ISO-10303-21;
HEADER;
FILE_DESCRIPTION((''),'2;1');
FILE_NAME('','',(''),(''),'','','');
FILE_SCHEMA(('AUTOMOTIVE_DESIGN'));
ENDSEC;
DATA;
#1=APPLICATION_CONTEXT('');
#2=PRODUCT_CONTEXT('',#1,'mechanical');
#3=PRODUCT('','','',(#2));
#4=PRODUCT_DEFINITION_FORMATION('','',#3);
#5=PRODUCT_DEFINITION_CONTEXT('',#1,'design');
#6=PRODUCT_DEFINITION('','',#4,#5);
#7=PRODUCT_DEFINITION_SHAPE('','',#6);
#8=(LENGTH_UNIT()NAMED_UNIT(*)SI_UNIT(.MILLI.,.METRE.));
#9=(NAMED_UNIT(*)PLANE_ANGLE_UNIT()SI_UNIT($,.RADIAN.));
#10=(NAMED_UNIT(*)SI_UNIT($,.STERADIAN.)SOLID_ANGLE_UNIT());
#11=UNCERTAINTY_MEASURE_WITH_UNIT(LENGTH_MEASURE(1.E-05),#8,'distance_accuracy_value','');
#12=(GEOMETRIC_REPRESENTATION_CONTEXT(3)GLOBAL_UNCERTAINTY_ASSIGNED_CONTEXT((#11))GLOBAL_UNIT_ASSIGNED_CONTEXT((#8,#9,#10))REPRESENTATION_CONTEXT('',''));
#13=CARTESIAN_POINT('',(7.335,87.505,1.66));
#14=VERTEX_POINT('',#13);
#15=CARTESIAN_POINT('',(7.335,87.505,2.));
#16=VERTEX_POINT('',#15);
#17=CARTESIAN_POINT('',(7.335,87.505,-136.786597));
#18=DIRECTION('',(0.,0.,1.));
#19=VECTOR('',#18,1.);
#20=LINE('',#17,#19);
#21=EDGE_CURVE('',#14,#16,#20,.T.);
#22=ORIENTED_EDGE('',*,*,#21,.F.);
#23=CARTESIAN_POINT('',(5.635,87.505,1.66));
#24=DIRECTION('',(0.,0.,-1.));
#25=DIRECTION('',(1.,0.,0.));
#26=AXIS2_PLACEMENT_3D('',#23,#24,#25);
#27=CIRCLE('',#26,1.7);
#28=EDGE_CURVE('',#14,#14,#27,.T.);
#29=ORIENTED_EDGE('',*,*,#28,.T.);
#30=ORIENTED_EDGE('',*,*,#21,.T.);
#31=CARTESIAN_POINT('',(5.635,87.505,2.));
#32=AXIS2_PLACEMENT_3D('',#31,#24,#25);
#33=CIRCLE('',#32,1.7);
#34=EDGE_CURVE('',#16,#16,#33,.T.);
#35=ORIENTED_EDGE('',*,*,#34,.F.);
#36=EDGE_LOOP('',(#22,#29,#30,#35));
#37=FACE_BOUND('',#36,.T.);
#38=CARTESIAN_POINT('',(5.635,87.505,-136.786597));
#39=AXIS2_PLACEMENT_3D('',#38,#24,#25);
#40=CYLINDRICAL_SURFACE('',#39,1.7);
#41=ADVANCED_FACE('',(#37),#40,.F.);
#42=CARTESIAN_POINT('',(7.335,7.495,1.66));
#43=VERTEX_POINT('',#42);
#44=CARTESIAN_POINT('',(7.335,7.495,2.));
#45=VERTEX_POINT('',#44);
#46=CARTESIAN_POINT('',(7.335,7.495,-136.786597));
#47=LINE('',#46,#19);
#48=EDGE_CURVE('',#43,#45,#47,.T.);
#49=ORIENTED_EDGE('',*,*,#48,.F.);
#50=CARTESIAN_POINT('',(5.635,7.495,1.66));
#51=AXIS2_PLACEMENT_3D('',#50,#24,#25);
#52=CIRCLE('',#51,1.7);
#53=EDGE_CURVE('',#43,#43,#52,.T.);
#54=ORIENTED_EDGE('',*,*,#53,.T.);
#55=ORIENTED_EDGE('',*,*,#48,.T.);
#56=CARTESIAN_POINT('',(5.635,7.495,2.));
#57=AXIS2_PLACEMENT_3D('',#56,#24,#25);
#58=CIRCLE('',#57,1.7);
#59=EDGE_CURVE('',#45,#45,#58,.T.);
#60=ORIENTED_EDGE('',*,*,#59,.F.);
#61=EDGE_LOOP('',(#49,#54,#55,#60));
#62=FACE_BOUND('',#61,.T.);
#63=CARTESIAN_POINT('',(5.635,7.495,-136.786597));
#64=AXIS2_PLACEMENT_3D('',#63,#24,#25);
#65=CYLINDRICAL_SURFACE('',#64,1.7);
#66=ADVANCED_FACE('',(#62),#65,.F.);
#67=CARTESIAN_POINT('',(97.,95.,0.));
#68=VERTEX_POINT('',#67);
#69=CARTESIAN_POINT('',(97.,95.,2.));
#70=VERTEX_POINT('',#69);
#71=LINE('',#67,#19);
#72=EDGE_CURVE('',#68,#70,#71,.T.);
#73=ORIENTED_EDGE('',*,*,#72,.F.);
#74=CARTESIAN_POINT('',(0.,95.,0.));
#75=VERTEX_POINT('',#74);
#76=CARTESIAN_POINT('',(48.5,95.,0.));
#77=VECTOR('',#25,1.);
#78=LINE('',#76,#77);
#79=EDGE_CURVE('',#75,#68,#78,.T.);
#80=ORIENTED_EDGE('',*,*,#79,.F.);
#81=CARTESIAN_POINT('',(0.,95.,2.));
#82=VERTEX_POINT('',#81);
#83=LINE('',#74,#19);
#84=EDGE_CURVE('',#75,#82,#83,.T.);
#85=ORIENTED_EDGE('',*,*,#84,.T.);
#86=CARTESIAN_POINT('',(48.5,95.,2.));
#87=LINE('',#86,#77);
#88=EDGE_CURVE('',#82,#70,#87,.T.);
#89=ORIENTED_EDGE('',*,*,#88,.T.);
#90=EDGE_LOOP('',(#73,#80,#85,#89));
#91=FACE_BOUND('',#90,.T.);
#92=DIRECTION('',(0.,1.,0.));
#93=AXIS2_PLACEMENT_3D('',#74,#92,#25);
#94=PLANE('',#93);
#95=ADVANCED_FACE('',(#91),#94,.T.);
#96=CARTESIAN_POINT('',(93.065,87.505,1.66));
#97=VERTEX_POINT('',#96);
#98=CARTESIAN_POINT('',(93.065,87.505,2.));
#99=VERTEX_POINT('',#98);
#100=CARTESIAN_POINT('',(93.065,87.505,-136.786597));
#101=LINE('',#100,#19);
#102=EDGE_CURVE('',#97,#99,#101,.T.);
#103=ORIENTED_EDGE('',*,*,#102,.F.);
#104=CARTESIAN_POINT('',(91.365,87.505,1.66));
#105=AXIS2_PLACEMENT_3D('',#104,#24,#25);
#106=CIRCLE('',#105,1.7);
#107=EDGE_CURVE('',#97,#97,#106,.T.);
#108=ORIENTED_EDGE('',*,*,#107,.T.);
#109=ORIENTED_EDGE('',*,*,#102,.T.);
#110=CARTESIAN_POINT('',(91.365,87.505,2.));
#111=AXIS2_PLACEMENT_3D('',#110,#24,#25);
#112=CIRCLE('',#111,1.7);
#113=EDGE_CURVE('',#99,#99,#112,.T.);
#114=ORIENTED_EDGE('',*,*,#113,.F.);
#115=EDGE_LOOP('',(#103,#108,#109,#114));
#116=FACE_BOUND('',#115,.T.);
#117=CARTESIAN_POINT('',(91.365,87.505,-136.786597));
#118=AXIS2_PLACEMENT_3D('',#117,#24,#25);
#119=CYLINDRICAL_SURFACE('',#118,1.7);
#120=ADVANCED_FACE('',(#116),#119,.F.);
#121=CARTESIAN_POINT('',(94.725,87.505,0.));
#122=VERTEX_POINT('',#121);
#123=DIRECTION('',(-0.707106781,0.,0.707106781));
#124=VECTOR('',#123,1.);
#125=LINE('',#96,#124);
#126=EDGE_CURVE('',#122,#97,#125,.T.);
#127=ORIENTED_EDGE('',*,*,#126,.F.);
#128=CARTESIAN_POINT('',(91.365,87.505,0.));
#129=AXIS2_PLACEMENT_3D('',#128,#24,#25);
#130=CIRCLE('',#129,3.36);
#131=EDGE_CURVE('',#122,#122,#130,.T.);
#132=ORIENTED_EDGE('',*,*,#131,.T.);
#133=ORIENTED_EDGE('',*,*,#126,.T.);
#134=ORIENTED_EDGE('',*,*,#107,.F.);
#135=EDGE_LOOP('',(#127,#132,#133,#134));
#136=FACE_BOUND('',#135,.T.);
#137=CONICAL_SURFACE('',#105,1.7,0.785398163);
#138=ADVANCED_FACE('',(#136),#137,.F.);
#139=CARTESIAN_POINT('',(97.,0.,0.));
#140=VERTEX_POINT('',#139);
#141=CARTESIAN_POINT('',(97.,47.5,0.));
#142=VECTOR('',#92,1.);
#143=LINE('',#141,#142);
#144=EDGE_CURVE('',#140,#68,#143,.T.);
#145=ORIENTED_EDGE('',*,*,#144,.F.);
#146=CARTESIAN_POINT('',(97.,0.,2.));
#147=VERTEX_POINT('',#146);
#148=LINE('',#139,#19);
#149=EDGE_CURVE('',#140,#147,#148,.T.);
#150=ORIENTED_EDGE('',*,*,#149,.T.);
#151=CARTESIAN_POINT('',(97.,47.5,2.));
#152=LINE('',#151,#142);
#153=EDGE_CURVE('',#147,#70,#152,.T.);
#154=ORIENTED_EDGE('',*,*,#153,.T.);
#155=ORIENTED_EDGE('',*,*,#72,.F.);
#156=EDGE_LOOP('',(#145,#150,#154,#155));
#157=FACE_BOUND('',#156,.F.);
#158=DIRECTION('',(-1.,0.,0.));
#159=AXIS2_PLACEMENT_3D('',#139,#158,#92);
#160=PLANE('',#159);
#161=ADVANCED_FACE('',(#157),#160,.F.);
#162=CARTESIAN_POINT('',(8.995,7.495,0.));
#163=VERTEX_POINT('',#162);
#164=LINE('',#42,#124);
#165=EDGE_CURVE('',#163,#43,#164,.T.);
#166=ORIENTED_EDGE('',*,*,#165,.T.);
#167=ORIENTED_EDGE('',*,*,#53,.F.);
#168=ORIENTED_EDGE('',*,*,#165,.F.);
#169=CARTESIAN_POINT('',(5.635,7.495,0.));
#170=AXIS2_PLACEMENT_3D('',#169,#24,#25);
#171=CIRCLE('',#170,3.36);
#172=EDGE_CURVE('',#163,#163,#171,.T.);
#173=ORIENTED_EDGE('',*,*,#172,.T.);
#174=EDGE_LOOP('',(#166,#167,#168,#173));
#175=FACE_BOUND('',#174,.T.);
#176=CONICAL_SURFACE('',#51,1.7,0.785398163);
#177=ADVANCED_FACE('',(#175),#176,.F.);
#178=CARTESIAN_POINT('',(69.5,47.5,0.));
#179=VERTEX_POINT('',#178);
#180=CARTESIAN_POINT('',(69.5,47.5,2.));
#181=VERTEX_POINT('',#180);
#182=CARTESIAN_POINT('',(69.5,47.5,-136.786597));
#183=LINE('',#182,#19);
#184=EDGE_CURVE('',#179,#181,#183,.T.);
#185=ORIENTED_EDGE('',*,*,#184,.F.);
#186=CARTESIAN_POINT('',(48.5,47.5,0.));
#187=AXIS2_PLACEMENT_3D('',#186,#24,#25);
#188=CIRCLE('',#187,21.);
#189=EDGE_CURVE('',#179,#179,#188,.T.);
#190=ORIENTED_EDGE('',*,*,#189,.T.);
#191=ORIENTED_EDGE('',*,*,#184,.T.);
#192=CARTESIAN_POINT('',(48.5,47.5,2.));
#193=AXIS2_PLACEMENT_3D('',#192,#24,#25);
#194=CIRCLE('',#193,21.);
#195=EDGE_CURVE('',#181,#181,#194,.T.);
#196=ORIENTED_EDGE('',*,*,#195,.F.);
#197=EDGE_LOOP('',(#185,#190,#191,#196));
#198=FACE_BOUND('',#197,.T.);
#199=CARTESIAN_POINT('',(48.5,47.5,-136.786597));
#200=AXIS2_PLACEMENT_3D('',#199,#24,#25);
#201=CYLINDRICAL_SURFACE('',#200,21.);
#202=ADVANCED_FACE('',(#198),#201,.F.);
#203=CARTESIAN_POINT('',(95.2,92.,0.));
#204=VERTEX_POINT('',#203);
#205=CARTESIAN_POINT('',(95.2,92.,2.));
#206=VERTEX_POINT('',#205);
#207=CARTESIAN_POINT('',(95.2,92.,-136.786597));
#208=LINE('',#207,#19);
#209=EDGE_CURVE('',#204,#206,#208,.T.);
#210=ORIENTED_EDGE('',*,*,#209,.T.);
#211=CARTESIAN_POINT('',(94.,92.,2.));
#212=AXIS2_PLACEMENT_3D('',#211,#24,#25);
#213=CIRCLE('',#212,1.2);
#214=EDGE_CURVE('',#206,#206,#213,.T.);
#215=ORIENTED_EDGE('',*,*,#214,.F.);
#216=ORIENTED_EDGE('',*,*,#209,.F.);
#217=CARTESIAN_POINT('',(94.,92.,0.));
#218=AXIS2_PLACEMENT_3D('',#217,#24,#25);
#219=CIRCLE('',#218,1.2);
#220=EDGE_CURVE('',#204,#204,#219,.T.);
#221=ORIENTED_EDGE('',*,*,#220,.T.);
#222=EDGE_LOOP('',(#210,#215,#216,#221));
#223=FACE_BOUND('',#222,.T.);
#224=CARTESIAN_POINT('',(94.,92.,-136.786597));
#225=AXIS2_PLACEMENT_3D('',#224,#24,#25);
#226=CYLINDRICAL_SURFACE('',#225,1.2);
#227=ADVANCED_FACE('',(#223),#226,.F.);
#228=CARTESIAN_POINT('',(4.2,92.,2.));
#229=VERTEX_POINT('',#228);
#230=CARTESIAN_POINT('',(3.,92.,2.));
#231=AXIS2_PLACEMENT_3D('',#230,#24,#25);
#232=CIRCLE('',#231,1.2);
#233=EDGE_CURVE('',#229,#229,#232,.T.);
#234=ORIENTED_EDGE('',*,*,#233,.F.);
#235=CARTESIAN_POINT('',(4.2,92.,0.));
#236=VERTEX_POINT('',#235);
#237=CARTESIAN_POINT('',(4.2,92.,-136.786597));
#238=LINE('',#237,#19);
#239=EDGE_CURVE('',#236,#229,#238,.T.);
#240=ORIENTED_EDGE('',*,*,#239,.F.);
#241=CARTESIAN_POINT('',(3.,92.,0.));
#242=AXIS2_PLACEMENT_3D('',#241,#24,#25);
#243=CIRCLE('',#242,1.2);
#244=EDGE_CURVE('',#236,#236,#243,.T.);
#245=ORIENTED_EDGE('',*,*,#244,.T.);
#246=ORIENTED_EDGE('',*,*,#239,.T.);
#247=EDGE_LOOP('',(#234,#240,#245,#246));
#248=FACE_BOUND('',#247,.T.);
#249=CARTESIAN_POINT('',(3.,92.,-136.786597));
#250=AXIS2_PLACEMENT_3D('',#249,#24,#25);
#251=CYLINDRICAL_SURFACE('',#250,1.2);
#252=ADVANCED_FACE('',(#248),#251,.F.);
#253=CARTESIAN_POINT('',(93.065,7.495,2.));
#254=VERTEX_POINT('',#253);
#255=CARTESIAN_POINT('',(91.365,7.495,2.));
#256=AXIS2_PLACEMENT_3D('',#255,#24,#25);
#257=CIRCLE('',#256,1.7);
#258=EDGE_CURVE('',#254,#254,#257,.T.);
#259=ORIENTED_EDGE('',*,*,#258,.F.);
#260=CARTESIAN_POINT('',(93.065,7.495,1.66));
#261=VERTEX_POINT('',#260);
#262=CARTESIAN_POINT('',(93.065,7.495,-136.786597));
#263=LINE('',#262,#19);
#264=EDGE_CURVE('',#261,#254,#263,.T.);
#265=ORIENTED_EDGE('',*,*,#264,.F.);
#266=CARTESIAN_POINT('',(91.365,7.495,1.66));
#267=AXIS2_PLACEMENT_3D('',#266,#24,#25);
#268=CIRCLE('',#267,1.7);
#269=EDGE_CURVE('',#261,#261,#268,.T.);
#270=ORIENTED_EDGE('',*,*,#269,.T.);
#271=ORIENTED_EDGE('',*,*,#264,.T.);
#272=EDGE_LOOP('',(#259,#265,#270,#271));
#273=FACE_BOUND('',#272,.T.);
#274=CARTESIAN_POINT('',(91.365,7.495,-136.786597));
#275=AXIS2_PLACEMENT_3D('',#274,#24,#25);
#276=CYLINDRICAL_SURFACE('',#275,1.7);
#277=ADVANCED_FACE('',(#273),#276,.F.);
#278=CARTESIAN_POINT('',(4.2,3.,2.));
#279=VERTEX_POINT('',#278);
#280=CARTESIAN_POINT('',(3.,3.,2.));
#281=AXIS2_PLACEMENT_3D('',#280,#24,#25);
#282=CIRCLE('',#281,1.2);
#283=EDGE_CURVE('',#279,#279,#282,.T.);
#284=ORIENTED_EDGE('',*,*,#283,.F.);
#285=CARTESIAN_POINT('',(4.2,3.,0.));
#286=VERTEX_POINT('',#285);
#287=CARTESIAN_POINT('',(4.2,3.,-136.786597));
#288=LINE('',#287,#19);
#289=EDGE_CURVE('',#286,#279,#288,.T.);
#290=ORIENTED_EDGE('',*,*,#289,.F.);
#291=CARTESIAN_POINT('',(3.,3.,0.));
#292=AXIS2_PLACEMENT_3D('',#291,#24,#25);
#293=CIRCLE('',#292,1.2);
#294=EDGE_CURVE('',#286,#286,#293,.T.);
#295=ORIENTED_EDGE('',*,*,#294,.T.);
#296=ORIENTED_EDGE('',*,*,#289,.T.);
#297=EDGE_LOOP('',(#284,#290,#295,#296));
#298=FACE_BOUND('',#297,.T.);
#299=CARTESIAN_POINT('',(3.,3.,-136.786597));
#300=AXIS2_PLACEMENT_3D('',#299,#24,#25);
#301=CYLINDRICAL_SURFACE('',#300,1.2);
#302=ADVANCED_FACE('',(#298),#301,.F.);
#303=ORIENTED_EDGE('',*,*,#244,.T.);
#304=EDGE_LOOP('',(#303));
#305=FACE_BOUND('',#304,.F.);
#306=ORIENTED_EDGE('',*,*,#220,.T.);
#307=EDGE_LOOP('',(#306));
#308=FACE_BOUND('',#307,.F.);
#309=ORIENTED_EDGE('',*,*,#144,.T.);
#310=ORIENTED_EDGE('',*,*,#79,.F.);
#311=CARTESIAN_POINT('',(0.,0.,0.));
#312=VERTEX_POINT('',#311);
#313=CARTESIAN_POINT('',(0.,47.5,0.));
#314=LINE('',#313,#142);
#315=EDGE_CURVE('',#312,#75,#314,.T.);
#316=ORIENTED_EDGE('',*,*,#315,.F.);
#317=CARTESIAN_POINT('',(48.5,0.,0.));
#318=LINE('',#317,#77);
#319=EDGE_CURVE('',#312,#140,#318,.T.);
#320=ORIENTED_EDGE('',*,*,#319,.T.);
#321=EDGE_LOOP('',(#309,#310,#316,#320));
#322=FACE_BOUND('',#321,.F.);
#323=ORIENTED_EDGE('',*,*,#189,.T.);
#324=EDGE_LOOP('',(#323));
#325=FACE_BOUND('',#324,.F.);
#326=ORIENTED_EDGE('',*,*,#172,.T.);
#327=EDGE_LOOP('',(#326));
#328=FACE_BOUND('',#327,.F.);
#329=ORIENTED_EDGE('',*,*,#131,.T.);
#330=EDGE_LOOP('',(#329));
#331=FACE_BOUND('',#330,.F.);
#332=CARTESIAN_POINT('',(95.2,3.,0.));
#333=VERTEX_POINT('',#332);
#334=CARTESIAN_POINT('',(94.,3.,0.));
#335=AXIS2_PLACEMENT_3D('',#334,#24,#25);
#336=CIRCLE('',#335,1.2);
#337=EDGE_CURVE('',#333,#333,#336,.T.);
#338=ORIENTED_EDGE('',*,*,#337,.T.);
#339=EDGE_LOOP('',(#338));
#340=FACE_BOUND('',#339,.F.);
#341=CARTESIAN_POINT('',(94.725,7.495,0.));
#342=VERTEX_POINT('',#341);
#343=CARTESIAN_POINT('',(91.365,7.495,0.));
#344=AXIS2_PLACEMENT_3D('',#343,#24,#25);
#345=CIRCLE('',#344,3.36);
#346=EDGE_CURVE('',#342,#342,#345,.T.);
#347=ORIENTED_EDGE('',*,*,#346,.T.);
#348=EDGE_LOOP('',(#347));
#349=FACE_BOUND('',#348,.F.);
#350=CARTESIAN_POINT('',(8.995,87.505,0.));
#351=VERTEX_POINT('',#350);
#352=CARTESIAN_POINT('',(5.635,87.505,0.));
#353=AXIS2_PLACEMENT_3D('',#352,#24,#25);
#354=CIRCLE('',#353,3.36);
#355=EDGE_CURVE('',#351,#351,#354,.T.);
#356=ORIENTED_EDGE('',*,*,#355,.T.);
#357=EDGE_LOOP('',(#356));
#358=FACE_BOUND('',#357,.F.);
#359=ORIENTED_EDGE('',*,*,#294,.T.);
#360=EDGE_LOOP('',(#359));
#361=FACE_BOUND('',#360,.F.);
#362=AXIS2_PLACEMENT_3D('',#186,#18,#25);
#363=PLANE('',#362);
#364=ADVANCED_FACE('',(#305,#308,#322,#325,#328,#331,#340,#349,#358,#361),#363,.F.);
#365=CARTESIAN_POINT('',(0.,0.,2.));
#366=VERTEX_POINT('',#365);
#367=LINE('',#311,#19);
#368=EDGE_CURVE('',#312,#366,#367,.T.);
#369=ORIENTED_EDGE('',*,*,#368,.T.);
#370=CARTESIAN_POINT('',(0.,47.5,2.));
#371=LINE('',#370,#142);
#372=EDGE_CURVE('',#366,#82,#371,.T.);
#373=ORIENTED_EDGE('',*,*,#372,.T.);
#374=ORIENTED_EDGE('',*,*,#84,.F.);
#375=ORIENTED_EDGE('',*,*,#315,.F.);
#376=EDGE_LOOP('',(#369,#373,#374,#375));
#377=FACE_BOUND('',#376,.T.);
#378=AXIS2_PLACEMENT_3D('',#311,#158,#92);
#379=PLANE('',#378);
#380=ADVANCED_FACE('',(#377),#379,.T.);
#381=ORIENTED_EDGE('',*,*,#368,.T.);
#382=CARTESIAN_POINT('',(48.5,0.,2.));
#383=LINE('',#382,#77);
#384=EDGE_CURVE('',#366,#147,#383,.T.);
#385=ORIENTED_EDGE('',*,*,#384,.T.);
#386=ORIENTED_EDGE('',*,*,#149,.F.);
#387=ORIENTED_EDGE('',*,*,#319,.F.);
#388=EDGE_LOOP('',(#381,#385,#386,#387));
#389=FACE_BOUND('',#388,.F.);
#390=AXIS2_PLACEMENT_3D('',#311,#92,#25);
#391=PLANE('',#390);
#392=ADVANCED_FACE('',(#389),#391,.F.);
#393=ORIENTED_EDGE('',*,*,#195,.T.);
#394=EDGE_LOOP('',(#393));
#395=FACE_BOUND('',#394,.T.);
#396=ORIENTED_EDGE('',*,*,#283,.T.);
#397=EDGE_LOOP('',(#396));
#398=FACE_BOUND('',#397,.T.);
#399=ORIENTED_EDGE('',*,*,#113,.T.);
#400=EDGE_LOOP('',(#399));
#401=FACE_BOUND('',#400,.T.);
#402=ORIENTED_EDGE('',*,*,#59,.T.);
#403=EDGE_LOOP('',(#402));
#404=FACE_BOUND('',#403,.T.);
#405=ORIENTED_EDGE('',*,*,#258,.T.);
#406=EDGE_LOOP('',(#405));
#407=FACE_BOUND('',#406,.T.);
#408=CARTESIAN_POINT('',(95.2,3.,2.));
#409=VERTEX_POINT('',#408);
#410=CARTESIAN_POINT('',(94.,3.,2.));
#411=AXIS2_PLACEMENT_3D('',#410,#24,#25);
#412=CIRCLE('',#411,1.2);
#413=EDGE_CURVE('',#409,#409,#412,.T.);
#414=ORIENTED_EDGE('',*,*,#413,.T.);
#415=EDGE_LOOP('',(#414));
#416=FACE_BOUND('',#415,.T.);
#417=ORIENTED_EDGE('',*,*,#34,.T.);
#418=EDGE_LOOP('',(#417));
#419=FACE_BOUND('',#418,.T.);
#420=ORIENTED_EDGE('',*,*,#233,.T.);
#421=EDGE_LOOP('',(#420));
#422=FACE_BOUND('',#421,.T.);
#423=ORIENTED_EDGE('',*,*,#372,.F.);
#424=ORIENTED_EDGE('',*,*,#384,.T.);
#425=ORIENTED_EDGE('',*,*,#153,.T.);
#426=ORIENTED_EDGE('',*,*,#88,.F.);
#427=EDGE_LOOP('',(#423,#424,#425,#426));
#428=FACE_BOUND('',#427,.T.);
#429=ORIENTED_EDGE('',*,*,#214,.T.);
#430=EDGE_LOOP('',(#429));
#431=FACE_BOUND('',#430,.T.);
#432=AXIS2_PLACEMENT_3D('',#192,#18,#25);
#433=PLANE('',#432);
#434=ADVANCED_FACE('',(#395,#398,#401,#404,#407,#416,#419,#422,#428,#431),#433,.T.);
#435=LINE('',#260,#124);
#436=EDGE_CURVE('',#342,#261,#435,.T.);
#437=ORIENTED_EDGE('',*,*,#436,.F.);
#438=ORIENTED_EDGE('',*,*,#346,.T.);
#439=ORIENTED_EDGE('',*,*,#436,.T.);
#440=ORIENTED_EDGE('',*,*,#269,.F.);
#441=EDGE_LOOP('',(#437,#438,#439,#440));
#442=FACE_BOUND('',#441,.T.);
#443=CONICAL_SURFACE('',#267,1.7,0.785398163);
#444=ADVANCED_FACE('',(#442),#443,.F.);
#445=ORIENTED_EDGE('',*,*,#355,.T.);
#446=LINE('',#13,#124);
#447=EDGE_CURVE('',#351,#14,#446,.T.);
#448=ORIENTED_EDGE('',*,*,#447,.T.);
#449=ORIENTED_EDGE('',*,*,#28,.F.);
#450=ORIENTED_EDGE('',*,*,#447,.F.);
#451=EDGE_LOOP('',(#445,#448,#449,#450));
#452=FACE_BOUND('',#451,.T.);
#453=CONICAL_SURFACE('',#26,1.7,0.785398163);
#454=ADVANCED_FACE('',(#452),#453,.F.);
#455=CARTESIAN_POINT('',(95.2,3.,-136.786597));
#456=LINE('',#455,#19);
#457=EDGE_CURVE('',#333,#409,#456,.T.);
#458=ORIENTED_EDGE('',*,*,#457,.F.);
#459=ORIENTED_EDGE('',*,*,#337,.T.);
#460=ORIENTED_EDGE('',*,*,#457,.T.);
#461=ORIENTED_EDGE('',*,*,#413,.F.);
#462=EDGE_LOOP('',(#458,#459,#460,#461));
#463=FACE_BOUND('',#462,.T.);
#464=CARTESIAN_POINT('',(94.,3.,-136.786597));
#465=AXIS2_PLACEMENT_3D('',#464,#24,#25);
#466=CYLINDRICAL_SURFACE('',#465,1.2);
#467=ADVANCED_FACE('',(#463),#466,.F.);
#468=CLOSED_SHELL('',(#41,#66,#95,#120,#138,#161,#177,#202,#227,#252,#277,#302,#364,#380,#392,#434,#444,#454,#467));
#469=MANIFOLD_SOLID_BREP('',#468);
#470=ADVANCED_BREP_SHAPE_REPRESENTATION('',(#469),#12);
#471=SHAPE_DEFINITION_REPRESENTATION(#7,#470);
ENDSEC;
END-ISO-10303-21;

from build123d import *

# Parameters (mm, degrees)
PLATE_SKETCH_W                 = 97
PLATE_SKETCH_H                 = 95
PLATE_DEPTH                    = 2
M2_FOOT_SCREW_HOLES_DEPTH      = 136.786597277
M2_FOOT_SCREW_HOLES_DEPTH_BACK = 136.786597277
M2_FOOT_SCREW_HOLES_SKETCH_R   = 1.2
M3_STACK_ROD_HOLES_DEPTH       = 136.786597277
M3_STACK_ROD_HOLES_DEPTH_BACK  = 136.786597277
M3_STACK_ROD_HOLES_SKETCH_R    = 1.7
M3_COUNTERSINKS_SIZE           = 1.66
CAMERA_APERTURE_DEPTH          = 136.786597277
CAMERA_APERTURE_DEPTH_BACK     = 136.786597277
CAMERA_APERTURE_SKETCH_R       = 21


with BuildPart() as part:
    # Plate sketch → Plate (new body)
    with BuildSketch(Plane.XY):
        with Locations((48.5, 47.5)):
            Rectangle(PLATE_SKETCH_W, PLATE_SKETCH_H)
    extrude(amount=PLATE_DEPTH)

    # M2 foot screw holes sketch → M2 foot screw holes (cut, two sides: drawn at the far end of the back side and taken through both)
    with BuildSketch(Plane.XY.offset(-M2_FOOT_SCREW_HOLES_DEPTH_BACK)):
        with Locations((3, 3)):
            Circle(M2_FOOT_SCREW_HOLES_SKETCH_R)
        with Locations((94, 3)):
            Circle(M2_FOOT_SCREW_HOLES_SKETCH_R)
        with Locations((3, 92)):
            Circle(M2_FOOT_SCREW_HOLES_SKETCH_R)
        with Locations((94, 92)):
            Circle(M2_FOOT_SCREW_HOLES_SKETCH_R)
    extrude(amount=M2_FOOT_SCREW_HOLES_DEPTH + M2_FOOT_SCREW_HOLES_DEPTH_BACK, mode=Mode.SUBTRACT)

    # M3 stack rod holes sketch → M3 stack rod holes (cut, two sides: drawn at the far end of the back side and taken through both)
    with BuildSketch(Plane.XY.offset(-M3_STACK_ROD_HOLES_DEPTH_BACK)):
        with Locations((5.635, 7.495)):
            Circle(M3_STACK_ROD_HOLES_SKETCH_R)
        with Locations((91.365, 7.495)):
            Circle(M3_STACK_ROD_HOLES_SKETCH_R)
        with Locations((5.635, 87.505)):
            Circle(M3_STACK_ROD_HOLES_SKETCH_R)
        with Locations((91.365, 87.505)):
            Circle(M3_STACK_ROD_HOLES_SKETCH_R)
    extrude(amount=M3_STACK_ROD_HOLES_DEPTH + M3_STACK_ROD_HOLES_DEPTH_BACK, mode=Mode.SUBTRACT)

    # M3 countersinks
    m3_countersinks_edges = [part.edges().sort_by_distance(p)[0] for p in [
        (89.665, 7.495, 0),
        (3.935, 87.505, 0),
        (89.665, 87.505, 0),
        (3.935, 7.495, 0),
    ]]
    chamfer(m3_countersinks_edges, length=M3_COUNTERSINKS_SIZE)

    # Camera aperture sketch → Camera aperture (cut, two sides: drawn at the far end of the back side and taken through both)
    with BuildSketch(Plane.XY.offset(-CAMERA_APERTURE_DEPTH_BACK)):
        with Locations((48.5, 47.5)):
            Circle(CAMERA_APERTURE_SKETCH_R)
    extrude(amount=CAMERA_APERTURE_DEPTH + CAMERA_APERTURE_DEPTH_BACK, mode=Mode.SUBTRACT)


solid = part.part
